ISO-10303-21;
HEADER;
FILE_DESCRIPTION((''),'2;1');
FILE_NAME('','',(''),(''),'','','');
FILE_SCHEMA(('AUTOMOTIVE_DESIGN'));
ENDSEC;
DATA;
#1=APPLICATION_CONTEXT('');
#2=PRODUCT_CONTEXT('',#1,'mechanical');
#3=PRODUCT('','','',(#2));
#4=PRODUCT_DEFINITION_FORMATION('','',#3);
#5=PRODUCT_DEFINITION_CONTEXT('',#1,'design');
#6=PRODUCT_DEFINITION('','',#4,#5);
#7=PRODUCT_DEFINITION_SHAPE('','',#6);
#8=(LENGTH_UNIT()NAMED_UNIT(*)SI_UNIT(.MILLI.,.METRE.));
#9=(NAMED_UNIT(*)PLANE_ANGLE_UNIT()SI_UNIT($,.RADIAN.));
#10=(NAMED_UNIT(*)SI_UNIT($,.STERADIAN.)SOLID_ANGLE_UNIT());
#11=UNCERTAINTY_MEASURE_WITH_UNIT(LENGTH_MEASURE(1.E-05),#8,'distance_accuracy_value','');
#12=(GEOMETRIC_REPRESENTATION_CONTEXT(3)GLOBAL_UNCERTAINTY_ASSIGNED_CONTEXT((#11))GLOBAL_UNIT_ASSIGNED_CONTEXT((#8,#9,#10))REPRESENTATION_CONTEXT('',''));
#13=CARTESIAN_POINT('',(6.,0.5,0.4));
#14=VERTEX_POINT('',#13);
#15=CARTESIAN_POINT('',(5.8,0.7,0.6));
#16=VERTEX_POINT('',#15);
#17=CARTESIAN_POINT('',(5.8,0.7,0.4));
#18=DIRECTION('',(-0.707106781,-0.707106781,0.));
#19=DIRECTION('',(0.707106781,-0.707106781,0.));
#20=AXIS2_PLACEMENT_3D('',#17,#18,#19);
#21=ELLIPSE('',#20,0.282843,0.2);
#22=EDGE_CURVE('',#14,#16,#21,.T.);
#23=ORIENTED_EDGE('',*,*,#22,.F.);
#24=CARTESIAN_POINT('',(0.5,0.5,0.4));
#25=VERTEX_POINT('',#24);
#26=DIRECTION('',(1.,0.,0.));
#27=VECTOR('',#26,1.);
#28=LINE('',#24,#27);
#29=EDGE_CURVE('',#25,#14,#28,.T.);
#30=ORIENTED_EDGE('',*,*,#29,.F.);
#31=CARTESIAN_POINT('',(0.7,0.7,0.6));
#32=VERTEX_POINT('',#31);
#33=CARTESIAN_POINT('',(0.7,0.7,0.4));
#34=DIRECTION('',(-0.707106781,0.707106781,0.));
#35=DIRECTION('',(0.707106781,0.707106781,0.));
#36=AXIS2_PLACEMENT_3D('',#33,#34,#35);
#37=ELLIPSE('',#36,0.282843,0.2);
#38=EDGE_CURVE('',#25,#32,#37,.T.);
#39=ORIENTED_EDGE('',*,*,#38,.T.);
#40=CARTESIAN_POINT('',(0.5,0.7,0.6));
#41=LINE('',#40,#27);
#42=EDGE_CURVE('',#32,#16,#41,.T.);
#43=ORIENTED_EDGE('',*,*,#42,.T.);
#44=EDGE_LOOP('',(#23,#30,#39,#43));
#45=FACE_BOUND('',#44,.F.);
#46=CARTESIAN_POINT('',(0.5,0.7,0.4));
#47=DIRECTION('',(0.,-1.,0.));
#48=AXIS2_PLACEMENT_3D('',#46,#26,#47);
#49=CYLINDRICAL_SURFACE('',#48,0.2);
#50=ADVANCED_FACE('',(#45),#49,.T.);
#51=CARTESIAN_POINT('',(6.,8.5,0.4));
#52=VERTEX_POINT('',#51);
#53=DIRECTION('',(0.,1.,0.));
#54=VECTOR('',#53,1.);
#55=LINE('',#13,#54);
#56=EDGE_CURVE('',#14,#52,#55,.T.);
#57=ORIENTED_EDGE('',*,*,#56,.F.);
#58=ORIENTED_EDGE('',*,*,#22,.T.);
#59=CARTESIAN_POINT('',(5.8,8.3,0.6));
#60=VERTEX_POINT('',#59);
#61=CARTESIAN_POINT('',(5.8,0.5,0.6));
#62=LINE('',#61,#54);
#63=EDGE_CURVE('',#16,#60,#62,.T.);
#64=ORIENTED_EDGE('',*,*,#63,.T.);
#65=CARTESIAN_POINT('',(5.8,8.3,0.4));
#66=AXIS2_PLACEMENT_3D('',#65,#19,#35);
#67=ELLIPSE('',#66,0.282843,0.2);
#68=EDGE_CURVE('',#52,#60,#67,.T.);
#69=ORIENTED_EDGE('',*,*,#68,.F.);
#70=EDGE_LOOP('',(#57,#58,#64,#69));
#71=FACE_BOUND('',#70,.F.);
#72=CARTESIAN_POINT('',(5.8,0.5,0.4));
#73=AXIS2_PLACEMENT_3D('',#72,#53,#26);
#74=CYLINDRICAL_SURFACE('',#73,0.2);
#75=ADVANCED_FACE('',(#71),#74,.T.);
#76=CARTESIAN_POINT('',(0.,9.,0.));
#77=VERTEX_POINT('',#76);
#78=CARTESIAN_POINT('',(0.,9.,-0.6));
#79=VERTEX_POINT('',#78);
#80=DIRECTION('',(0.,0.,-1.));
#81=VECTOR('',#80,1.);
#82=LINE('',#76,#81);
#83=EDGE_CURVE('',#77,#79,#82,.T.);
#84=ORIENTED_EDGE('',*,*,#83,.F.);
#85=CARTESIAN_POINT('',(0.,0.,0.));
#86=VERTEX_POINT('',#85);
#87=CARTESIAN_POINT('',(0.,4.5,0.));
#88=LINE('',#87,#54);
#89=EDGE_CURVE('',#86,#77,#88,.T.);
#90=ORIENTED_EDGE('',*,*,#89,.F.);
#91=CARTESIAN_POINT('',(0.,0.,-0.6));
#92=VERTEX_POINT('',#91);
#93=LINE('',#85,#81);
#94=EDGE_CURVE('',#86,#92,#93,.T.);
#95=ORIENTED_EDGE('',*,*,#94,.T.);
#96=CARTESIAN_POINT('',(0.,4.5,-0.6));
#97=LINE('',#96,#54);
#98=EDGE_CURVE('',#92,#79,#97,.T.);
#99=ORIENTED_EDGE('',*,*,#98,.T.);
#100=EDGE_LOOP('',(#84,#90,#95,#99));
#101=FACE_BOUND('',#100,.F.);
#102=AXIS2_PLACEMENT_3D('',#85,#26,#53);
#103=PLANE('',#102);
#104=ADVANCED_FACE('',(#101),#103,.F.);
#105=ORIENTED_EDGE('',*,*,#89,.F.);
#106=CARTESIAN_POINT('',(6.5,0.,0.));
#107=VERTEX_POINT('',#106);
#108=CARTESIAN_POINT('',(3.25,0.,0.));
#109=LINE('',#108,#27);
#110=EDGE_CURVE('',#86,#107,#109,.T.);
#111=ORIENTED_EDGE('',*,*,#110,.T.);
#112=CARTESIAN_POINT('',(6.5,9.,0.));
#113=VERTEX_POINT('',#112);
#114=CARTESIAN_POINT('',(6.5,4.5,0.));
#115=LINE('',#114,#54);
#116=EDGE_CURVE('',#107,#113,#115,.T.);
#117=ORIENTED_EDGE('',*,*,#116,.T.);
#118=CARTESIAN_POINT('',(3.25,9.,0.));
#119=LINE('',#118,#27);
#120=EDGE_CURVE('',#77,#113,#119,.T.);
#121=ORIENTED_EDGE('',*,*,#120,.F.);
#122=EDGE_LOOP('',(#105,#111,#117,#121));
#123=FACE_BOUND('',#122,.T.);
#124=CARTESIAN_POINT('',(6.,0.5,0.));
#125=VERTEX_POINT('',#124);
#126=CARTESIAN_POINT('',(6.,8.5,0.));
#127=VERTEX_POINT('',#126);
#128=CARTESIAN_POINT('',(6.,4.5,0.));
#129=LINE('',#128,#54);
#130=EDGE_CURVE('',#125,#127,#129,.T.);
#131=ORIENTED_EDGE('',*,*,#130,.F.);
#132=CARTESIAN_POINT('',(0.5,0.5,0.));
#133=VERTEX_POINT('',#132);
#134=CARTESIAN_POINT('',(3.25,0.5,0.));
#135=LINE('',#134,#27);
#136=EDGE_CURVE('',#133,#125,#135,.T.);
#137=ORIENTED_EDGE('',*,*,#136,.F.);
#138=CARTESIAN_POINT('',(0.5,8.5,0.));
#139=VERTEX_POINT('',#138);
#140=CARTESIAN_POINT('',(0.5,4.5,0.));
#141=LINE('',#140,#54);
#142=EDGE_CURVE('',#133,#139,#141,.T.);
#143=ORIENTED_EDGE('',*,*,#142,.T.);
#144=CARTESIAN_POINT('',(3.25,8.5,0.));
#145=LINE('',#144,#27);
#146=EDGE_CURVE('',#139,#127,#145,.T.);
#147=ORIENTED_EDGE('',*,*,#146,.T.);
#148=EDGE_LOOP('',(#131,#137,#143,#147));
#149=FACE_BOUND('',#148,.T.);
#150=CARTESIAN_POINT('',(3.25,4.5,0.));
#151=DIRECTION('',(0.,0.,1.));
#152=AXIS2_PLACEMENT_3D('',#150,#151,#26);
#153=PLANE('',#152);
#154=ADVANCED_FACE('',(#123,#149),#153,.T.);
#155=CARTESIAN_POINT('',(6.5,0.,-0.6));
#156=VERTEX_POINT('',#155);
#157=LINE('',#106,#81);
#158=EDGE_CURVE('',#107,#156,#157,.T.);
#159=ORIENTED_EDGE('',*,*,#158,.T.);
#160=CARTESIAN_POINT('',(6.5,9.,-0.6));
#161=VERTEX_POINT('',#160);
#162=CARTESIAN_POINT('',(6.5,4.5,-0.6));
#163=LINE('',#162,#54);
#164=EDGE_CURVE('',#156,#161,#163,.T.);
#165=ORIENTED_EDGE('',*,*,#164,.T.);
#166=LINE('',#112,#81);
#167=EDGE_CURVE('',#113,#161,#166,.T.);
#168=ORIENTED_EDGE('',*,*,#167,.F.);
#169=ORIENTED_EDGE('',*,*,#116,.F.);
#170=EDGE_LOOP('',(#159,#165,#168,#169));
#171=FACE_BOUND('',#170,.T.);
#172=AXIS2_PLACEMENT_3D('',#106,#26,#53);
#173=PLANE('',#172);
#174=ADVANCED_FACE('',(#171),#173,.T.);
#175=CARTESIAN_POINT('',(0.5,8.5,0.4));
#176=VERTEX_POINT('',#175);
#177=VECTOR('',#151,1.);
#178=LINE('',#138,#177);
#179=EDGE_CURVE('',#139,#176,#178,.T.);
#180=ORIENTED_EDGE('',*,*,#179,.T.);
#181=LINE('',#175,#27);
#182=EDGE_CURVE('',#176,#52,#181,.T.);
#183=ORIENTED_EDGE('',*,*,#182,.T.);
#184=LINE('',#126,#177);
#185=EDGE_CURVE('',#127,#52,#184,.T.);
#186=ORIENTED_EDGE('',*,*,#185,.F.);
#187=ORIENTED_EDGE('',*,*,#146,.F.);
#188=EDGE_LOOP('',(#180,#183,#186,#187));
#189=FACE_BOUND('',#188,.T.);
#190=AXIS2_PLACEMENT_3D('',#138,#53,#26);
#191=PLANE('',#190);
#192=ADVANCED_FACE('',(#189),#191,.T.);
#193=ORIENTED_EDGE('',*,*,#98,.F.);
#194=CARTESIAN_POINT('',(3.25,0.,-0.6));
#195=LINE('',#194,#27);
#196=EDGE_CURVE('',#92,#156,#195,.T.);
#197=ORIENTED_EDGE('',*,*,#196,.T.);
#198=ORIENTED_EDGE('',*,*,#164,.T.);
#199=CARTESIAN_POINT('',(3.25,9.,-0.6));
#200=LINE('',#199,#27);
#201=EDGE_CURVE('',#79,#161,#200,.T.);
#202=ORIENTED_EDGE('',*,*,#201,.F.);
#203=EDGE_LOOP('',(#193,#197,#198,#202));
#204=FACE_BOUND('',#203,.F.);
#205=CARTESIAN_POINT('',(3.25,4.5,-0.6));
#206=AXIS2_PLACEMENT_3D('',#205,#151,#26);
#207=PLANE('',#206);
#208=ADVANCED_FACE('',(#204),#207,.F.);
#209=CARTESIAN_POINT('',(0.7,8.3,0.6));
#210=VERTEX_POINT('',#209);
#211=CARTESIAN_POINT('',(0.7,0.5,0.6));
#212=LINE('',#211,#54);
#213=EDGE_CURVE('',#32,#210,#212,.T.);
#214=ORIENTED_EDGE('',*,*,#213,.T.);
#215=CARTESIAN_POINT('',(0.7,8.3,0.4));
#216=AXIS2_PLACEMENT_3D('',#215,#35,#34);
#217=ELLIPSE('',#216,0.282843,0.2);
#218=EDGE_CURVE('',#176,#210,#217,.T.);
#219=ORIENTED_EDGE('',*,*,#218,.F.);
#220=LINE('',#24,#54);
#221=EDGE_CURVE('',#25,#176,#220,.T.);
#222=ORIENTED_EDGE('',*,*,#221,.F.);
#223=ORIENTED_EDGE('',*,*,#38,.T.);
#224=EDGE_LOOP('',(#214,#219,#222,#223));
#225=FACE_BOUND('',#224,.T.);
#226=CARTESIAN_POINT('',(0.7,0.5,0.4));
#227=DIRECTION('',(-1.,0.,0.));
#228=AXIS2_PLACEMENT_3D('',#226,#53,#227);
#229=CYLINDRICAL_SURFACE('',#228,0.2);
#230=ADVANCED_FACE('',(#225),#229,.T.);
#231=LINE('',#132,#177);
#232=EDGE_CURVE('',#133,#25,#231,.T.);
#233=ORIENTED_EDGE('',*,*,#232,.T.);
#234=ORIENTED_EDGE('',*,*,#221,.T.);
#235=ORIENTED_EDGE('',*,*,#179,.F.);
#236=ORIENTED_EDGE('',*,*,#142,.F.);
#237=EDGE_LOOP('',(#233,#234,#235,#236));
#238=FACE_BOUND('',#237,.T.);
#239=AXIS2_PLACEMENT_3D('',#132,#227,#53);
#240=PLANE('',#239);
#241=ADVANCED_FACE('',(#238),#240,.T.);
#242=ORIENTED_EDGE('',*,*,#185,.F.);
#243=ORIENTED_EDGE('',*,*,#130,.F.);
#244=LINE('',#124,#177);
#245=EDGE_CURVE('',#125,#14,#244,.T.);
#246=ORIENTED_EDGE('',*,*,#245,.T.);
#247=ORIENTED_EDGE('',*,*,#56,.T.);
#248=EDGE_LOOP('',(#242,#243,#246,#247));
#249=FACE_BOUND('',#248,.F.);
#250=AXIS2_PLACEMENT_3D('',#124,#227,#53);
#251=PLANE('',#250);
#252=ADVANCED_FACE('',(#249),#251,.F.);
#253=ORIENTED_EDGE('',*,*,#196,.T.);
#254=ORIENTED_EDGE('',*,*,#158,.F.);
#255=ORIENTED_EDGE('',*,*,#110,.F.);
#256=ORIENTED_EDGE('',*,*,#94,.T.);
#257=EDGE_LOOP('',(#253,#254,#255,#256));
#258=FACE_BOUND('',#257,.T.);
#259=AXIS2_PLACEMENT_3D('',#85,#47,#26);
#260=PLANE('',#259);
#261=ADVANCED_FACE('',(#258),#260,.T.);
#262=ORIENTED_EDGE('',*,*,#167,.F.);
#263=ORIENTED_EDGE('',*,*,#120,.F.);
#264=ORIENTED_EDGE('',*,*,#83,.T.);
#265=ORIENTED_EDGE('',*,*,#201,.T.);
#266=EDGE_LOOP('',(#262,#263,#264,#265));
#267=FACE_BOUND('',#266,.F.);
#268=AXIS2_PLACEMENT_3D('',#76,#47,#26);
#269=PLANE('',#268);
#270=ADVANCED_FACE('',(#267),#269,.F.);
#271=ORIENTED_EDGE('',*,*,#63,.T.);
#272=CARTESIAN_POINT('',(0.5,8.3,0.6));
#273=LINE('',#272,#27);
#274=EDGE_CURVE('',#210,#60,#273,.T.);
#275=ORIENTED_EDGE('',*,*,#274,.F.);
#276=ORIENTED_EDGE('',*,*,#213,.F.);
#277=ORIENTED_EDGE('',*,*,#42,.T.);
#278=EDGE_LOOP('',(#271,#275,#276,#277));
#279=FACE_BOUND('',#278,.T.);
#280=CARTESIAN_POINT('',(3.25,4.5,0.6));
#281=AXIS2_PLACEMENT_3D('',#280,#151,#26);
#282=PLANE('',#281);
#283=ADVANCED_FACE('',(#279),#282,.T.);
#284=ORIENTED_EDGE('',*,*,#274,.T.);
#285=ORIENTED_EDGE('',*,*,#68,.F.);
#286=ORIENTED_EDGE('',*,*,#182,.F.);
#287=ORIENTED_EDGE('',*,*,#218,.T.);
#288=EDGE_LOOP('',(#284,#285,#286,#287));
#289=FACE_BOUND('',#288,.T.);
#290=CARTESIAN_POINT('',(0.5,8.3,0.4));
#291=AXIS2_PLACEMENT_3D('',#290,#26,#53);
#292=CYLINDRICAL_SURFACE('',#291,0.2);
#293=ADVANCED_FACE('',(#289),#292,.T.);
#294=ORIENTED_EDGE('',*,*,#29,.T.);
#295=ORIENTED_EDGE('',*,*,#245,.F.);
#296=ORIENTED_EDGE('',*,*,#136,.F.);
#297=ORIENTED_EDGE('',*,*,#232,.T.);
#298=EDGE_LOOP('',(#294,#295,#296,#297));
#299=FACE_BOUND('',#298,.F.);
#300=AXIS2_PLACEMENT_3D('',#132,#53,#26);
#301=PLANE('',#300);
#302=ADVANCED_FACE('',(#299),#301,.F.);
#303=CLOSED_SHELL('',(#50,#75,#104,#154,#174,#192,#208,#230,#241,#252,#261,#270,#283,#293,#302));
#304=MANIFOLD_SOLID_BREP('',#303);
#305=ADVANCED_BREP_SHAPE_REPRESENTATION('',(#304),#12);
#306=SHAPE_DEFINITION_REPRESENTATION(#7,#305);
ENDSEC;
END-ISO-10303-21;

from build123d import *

# Parameters (mm, degrees)
F0_W     = 6.5
F0_H     = 9
F2_DEPTH = 0.6
F1_W     = 5.5
F1_H     = 8
F3_DEPTH = 0.6
F4_R     = 0.2


with BuildPart() as f2:
    # F0 (on Top) → F2 (new body)
    with BuildSketch(Plane.XY):
        with Locations((3.25, 4.5)):
            Rectangle(F0_W, F0_H)
    extrude(amount=-F2_DEPTH)

    # F1 (on face) → F3 (join)
    with BuildSketch(Plane.XY):
        with Locations((3.25, 4.5)):
            Rectangle(F1_W, F1_H)
    extrude(amount=F3_DEPTH)

    # F4
    f4_edges = [f2.edges().sort_by_distance(p)[0] for p in [
        (0.5, 4.5, 0.6),
        (3.25, 0.5, 0.6),
        (6, 4.5, 0.6),
        (3.25, 8.5, 0.6),
    ]]
    fillet(f4_edges, radius=F4_R)


solid = f2.part
